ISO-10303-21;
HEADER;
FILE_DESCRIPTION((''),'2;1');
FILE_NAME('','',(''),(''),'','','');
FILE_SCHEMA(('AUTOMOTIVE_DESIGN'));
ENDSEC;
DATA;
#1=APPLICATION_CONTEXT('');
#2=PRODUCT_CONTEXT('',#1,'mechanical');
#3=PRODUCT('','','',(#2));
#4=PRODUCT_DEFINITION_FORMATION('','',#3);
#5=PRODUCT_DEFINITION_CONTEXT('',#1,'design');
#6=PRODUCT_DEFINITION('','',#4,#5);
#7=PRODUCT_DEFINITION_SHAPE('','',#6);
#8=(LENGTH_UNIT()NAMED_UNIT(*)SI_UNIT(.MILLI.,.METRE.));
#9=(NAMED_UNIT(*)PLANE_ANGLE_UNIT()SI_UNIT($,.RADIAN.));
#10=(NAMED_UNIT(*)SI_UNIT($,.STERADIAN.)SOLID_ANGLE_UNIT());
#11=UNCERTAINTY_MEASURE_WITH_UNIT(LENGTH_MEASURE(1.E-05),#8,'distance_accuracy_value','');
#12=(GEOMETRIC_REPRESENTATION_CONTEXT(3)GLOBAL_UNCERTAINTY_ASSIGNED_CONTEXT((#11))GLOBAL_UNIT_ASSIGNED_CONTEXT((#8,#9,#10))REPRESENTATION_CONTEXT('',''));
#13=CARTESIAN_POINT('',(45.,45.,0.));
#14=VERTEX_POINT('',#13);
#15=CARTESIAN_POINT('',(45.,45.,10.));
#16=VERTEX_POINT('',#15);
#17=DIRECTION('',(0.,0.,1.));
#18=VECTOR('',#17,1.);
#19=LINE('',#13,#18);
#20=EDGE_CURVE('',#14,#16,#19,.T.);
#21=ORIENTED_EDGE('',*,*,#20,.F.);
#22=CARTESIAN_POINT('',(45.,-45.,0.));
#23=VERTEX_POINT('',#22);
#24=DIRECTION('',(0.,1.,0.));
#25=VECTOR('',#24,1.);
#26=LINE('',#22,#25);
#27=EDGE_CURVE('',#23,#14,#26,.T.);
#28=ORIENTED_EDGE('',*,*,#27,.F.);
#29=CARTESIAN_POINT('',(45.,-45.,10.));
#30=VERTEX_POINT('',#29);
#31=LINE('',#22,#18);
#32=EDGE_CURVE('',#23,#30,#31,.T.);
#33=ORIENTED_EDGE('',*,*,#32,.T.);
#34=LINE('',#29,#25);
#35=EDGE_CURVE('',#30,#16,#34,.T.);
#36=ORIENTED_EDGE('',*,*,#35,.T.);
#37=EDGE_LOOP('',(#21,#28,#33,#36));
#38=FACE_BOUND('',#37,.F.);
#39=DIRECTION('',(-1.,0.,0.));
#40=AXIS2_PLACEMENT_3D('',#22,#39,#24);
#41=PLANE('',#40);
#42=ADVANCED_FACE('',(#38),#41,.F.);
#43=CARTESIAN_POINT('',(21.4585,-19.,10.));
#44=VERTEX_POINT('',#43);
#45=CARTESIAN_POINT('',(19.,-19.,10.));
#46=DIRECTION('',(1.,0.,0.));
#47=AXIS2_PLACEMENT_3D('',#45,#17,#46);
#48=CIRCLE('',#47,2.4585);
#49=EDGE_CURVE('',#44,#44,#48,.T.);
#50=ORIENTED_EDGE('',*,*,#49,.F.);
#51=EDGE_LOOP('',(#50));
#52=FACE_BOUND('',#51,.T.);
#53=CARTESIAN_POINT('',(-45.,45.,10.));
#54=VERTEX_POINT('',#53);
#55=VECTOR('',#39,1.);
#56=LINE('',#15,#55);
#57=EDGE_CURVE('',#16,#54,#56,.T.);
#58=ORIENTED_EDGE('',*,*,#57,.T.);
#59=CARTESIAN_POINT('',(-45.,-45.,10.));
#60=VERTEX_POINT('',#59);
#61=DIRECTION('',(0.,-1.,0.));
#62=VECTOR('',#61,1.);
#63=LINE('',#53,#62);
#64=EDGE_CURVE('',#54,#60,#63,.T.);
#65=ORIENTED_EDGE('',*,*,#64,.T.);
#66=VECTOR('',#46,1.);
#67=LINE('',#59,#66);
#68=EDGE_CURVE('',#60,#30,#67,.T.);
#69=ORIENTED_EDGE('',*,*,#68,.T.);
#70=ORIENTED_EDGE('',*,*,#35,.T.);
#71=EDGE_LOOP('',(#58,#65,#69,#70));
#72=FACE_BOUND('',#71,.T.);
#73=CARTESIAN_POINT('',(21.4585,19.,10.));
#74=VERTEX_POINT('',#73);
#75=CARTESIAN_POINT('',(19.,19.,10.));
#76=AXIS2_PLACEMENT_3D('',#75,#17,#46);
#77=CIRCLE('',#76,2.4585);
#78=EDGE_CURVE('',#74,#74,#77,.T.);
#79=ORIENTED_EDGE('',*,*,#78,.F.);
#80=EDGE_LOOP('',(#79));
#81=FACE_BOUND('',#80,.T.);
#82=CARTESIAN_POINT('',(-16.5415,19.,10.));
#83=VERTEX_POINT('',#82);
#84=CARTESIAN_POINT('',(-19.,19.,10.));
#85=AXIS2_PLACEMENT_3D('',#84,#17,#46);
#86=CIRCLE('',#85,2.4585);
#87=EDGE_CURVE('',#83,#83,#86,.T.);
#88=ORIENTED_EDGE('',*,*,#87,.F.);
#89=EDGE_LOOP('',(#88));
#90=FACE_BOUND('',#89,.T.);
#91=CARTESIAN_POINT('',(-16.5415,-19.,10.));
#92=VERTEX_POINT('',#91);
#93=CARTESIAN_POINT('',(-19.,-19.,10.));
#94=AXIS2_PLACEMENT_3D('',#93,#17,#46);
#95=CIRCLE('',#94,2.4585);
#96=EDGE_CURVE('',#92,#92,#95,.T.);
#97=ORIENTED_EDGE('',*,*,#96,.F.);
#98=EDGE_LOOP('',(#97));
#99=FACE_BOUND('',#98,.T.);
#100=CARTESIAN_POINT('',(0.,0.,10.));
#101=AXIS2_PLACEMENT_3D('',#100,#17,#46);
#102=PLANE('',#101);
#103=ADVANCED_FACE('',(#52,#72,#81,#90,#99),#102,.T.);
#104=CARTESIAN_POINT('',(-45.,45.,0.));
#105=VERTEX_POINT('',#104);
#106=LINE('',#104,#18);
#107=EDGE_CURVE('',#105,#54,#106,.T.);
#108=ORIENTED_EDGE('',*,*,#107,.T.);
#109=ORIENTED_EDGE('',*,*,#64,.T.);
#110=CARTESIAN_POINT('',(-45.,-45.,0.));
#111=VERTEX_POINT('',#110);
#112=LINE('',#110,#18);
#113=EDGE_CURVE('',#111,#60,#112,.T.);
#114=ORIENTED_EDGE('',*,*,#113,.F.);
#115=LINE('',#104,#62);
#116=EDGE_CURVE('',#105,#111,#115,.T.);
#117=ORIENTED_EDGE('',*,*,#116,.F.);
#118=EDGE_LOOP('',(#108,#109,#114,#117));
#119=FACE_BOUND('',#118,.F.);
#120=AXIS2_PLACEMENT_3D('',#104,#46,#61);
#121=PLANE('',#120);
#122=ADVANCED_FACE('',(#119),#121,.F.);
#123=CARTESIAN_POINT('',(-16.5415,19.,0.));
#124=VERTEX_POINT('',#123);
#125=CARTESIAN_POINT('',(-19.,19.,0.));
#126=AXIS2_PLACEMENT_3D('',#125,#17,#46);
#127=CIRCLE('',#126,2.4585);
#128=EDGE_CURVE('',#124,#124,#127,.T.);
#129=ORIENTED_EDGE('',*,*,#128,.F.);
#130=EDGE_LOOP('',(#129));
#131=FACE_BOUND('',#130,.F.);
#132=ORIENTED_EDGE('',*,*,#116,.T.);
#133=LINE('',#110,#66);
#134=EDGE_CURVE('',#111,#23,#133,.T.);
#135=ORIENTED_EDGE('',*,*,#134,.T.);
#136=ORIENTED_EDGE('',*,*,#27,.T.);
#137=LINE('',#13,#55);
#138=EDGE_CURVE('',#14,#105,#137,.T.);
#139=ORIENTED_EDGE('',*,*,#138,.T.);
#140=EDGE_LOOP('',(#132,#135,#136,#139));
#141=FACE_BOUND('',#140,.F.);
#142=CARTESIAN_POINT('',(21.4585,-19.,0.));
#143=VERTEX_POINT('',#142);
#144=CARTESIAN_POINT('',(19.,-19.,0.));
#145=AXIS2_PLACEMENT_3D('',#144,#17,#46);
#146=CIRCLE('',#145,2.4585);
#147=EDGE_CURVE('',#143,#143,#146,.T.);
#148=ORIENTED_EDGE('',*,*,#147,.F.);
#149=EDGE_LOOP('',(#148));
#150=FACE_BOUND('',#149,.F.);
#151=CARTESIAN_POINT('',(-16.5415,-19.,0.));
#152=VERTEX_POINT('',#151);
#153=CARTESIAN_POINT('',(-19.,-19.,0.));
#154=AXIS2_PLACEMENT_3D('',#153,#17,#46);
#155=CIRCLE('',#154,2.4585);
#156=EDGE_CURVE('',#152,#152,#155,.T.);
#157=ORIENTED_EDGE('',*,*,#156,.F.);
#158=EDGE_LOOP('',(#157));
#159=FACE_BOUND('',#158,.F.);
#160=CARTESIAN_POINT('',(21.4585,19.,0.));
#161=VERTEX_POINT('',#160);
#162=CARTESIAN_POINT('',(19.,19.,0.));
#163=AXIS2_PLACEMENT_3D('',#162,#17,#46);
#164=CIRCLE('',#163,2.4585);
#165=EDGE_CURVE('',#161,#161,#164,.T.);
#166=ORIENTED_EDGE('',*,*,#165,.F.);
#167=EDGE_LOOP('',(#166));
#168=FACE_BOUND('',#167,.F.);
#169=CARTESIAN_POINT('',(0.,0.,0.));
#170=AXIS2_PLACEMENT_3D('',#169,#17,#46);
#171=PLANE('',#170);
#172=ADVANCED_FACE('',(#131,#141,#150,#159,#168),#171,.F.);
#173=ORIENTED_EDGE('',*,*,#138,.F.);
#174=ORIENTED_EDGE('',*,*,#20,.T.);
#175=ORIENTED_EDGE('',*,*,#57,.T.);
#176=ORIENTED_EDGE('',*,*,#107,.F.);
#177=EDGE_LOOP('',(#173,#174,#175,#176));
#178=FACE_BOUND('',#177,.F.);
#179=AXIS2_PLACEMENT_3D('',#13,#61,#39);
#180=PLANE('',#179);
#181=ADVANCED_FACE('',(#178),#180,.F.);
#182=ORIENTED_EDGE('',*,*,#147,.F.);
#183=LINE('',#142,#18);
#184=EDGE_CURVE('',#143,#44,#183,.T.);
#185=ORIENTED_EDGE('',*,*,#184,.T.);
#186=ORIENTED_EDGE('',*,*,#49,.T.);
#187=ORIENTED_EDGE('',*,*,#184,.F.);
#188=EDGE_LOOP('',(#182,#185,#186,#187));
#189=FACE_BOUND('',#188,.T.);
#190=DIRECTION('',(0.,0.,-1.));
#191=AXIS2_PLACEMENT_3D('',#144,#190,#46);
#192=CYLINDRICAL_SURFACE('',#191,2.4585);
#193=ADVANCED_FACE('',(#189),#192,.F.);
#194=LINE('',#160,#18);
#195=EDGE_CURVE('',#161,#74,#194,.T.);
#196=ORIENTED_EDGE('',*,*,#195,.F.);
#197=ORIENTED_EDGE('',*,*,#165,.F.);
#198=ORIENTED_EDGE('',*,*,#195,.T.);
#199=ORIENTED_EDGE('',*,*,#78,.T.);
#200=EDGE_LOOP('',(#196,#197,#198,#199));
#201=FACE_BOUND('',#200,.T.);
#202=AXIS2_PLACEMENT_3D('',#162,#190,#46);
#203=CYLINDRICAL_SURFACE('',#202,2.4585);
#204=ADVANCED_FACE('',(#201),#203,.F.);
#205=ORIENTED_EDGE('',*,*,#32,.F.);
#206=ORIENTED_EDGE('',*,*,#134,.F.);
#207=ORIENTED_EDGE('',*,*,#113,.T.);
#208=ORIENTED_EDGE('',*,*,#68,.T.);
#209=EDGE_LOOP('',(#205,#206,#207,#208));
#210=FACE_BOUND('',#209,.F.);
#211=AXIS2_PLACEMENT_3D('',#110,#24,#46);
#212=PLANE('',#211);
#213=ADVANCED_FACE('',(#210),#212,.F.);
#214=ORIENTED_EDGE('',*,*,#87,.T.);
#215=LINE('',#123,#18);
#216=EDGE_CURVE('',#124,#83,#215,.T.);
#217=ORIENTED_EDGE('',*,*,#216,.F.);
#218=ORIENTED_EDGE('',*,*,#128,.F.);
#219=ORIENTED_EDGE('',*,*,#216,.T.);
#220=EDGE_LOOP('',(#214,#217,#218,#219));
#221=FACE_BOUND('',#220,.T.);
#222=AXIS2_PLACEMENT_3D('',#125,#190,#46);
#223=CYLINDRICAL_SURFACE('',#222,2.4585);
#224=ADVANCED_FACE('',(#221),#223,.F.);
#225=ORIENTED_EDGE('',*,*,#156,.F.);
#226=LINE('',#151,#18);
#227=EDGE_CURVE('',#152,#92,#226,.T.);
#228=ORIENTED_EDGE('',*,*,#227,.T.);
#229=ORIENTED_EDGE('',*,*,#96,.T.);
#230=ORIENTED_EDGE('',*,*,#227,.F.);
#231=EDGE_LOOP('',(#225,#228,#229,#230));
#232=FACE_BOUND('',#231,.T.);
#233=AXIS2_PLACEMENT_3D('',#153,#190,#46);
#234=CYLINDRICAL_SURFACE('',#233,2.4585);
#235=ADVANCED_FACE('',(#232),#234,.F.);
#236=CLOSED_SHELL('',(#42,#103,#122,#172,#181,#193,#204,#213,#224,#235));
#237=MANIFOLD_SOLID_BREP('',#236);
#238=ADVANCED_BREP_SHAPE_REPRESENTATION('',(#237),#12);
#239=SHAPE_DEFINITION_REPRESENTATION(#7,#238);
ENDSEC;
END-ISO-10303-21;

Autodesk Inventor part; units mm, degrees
ref_plane "YZ Plane" through (0, 0, 0) normal (1, 0, 0) x (0, 1, 0)
ref_plane "XZ Plane" through (0, 0, 0) normal (0, 1, 0) x (-1, 0, 0)
ref_plane "XY Plane" through (0, 0, 0) normal (0, 0, 1) x (1, 0, 0)
ref_plane "Work Plane1" through (0, 0, 0) normal (0, 0, 1) x (1, 0, 0)
sketch "Sketch1" plane through (0, 0, 0) normal (0, 0, 1) x (1, 0, 0)
  line L0 (45, 45) -> (-45, 45)
  line L1 (-45, 45) -> (-45, -45)
  line L2 (-45, -45) -> (45, -45)
  line L3 (45, -45) -> (45, 45)
  line L4 (45, 45) -> (-45, -45) construction
  line L5 (-45, 45) -> (45, -45) construction
  circle A0 centre (19, 19) radius 2.4585 projected
  circle A1 centre (19, -19) radius 2.4585 projected
  circle A2 centre (-19, -19) radius 2.4585 projected
  circle A3 centre (-19, 19) radius 2.4585 projected
  point P0 (0, 0)
  point P1 (0, 0)
  dimension "d0" = 90
  dimension "d1" = 90
extrude "Extrusion1" add sketch "Sketch1" along normal blind 10
properties part number "Sujeción Cilindro Cortadora"
